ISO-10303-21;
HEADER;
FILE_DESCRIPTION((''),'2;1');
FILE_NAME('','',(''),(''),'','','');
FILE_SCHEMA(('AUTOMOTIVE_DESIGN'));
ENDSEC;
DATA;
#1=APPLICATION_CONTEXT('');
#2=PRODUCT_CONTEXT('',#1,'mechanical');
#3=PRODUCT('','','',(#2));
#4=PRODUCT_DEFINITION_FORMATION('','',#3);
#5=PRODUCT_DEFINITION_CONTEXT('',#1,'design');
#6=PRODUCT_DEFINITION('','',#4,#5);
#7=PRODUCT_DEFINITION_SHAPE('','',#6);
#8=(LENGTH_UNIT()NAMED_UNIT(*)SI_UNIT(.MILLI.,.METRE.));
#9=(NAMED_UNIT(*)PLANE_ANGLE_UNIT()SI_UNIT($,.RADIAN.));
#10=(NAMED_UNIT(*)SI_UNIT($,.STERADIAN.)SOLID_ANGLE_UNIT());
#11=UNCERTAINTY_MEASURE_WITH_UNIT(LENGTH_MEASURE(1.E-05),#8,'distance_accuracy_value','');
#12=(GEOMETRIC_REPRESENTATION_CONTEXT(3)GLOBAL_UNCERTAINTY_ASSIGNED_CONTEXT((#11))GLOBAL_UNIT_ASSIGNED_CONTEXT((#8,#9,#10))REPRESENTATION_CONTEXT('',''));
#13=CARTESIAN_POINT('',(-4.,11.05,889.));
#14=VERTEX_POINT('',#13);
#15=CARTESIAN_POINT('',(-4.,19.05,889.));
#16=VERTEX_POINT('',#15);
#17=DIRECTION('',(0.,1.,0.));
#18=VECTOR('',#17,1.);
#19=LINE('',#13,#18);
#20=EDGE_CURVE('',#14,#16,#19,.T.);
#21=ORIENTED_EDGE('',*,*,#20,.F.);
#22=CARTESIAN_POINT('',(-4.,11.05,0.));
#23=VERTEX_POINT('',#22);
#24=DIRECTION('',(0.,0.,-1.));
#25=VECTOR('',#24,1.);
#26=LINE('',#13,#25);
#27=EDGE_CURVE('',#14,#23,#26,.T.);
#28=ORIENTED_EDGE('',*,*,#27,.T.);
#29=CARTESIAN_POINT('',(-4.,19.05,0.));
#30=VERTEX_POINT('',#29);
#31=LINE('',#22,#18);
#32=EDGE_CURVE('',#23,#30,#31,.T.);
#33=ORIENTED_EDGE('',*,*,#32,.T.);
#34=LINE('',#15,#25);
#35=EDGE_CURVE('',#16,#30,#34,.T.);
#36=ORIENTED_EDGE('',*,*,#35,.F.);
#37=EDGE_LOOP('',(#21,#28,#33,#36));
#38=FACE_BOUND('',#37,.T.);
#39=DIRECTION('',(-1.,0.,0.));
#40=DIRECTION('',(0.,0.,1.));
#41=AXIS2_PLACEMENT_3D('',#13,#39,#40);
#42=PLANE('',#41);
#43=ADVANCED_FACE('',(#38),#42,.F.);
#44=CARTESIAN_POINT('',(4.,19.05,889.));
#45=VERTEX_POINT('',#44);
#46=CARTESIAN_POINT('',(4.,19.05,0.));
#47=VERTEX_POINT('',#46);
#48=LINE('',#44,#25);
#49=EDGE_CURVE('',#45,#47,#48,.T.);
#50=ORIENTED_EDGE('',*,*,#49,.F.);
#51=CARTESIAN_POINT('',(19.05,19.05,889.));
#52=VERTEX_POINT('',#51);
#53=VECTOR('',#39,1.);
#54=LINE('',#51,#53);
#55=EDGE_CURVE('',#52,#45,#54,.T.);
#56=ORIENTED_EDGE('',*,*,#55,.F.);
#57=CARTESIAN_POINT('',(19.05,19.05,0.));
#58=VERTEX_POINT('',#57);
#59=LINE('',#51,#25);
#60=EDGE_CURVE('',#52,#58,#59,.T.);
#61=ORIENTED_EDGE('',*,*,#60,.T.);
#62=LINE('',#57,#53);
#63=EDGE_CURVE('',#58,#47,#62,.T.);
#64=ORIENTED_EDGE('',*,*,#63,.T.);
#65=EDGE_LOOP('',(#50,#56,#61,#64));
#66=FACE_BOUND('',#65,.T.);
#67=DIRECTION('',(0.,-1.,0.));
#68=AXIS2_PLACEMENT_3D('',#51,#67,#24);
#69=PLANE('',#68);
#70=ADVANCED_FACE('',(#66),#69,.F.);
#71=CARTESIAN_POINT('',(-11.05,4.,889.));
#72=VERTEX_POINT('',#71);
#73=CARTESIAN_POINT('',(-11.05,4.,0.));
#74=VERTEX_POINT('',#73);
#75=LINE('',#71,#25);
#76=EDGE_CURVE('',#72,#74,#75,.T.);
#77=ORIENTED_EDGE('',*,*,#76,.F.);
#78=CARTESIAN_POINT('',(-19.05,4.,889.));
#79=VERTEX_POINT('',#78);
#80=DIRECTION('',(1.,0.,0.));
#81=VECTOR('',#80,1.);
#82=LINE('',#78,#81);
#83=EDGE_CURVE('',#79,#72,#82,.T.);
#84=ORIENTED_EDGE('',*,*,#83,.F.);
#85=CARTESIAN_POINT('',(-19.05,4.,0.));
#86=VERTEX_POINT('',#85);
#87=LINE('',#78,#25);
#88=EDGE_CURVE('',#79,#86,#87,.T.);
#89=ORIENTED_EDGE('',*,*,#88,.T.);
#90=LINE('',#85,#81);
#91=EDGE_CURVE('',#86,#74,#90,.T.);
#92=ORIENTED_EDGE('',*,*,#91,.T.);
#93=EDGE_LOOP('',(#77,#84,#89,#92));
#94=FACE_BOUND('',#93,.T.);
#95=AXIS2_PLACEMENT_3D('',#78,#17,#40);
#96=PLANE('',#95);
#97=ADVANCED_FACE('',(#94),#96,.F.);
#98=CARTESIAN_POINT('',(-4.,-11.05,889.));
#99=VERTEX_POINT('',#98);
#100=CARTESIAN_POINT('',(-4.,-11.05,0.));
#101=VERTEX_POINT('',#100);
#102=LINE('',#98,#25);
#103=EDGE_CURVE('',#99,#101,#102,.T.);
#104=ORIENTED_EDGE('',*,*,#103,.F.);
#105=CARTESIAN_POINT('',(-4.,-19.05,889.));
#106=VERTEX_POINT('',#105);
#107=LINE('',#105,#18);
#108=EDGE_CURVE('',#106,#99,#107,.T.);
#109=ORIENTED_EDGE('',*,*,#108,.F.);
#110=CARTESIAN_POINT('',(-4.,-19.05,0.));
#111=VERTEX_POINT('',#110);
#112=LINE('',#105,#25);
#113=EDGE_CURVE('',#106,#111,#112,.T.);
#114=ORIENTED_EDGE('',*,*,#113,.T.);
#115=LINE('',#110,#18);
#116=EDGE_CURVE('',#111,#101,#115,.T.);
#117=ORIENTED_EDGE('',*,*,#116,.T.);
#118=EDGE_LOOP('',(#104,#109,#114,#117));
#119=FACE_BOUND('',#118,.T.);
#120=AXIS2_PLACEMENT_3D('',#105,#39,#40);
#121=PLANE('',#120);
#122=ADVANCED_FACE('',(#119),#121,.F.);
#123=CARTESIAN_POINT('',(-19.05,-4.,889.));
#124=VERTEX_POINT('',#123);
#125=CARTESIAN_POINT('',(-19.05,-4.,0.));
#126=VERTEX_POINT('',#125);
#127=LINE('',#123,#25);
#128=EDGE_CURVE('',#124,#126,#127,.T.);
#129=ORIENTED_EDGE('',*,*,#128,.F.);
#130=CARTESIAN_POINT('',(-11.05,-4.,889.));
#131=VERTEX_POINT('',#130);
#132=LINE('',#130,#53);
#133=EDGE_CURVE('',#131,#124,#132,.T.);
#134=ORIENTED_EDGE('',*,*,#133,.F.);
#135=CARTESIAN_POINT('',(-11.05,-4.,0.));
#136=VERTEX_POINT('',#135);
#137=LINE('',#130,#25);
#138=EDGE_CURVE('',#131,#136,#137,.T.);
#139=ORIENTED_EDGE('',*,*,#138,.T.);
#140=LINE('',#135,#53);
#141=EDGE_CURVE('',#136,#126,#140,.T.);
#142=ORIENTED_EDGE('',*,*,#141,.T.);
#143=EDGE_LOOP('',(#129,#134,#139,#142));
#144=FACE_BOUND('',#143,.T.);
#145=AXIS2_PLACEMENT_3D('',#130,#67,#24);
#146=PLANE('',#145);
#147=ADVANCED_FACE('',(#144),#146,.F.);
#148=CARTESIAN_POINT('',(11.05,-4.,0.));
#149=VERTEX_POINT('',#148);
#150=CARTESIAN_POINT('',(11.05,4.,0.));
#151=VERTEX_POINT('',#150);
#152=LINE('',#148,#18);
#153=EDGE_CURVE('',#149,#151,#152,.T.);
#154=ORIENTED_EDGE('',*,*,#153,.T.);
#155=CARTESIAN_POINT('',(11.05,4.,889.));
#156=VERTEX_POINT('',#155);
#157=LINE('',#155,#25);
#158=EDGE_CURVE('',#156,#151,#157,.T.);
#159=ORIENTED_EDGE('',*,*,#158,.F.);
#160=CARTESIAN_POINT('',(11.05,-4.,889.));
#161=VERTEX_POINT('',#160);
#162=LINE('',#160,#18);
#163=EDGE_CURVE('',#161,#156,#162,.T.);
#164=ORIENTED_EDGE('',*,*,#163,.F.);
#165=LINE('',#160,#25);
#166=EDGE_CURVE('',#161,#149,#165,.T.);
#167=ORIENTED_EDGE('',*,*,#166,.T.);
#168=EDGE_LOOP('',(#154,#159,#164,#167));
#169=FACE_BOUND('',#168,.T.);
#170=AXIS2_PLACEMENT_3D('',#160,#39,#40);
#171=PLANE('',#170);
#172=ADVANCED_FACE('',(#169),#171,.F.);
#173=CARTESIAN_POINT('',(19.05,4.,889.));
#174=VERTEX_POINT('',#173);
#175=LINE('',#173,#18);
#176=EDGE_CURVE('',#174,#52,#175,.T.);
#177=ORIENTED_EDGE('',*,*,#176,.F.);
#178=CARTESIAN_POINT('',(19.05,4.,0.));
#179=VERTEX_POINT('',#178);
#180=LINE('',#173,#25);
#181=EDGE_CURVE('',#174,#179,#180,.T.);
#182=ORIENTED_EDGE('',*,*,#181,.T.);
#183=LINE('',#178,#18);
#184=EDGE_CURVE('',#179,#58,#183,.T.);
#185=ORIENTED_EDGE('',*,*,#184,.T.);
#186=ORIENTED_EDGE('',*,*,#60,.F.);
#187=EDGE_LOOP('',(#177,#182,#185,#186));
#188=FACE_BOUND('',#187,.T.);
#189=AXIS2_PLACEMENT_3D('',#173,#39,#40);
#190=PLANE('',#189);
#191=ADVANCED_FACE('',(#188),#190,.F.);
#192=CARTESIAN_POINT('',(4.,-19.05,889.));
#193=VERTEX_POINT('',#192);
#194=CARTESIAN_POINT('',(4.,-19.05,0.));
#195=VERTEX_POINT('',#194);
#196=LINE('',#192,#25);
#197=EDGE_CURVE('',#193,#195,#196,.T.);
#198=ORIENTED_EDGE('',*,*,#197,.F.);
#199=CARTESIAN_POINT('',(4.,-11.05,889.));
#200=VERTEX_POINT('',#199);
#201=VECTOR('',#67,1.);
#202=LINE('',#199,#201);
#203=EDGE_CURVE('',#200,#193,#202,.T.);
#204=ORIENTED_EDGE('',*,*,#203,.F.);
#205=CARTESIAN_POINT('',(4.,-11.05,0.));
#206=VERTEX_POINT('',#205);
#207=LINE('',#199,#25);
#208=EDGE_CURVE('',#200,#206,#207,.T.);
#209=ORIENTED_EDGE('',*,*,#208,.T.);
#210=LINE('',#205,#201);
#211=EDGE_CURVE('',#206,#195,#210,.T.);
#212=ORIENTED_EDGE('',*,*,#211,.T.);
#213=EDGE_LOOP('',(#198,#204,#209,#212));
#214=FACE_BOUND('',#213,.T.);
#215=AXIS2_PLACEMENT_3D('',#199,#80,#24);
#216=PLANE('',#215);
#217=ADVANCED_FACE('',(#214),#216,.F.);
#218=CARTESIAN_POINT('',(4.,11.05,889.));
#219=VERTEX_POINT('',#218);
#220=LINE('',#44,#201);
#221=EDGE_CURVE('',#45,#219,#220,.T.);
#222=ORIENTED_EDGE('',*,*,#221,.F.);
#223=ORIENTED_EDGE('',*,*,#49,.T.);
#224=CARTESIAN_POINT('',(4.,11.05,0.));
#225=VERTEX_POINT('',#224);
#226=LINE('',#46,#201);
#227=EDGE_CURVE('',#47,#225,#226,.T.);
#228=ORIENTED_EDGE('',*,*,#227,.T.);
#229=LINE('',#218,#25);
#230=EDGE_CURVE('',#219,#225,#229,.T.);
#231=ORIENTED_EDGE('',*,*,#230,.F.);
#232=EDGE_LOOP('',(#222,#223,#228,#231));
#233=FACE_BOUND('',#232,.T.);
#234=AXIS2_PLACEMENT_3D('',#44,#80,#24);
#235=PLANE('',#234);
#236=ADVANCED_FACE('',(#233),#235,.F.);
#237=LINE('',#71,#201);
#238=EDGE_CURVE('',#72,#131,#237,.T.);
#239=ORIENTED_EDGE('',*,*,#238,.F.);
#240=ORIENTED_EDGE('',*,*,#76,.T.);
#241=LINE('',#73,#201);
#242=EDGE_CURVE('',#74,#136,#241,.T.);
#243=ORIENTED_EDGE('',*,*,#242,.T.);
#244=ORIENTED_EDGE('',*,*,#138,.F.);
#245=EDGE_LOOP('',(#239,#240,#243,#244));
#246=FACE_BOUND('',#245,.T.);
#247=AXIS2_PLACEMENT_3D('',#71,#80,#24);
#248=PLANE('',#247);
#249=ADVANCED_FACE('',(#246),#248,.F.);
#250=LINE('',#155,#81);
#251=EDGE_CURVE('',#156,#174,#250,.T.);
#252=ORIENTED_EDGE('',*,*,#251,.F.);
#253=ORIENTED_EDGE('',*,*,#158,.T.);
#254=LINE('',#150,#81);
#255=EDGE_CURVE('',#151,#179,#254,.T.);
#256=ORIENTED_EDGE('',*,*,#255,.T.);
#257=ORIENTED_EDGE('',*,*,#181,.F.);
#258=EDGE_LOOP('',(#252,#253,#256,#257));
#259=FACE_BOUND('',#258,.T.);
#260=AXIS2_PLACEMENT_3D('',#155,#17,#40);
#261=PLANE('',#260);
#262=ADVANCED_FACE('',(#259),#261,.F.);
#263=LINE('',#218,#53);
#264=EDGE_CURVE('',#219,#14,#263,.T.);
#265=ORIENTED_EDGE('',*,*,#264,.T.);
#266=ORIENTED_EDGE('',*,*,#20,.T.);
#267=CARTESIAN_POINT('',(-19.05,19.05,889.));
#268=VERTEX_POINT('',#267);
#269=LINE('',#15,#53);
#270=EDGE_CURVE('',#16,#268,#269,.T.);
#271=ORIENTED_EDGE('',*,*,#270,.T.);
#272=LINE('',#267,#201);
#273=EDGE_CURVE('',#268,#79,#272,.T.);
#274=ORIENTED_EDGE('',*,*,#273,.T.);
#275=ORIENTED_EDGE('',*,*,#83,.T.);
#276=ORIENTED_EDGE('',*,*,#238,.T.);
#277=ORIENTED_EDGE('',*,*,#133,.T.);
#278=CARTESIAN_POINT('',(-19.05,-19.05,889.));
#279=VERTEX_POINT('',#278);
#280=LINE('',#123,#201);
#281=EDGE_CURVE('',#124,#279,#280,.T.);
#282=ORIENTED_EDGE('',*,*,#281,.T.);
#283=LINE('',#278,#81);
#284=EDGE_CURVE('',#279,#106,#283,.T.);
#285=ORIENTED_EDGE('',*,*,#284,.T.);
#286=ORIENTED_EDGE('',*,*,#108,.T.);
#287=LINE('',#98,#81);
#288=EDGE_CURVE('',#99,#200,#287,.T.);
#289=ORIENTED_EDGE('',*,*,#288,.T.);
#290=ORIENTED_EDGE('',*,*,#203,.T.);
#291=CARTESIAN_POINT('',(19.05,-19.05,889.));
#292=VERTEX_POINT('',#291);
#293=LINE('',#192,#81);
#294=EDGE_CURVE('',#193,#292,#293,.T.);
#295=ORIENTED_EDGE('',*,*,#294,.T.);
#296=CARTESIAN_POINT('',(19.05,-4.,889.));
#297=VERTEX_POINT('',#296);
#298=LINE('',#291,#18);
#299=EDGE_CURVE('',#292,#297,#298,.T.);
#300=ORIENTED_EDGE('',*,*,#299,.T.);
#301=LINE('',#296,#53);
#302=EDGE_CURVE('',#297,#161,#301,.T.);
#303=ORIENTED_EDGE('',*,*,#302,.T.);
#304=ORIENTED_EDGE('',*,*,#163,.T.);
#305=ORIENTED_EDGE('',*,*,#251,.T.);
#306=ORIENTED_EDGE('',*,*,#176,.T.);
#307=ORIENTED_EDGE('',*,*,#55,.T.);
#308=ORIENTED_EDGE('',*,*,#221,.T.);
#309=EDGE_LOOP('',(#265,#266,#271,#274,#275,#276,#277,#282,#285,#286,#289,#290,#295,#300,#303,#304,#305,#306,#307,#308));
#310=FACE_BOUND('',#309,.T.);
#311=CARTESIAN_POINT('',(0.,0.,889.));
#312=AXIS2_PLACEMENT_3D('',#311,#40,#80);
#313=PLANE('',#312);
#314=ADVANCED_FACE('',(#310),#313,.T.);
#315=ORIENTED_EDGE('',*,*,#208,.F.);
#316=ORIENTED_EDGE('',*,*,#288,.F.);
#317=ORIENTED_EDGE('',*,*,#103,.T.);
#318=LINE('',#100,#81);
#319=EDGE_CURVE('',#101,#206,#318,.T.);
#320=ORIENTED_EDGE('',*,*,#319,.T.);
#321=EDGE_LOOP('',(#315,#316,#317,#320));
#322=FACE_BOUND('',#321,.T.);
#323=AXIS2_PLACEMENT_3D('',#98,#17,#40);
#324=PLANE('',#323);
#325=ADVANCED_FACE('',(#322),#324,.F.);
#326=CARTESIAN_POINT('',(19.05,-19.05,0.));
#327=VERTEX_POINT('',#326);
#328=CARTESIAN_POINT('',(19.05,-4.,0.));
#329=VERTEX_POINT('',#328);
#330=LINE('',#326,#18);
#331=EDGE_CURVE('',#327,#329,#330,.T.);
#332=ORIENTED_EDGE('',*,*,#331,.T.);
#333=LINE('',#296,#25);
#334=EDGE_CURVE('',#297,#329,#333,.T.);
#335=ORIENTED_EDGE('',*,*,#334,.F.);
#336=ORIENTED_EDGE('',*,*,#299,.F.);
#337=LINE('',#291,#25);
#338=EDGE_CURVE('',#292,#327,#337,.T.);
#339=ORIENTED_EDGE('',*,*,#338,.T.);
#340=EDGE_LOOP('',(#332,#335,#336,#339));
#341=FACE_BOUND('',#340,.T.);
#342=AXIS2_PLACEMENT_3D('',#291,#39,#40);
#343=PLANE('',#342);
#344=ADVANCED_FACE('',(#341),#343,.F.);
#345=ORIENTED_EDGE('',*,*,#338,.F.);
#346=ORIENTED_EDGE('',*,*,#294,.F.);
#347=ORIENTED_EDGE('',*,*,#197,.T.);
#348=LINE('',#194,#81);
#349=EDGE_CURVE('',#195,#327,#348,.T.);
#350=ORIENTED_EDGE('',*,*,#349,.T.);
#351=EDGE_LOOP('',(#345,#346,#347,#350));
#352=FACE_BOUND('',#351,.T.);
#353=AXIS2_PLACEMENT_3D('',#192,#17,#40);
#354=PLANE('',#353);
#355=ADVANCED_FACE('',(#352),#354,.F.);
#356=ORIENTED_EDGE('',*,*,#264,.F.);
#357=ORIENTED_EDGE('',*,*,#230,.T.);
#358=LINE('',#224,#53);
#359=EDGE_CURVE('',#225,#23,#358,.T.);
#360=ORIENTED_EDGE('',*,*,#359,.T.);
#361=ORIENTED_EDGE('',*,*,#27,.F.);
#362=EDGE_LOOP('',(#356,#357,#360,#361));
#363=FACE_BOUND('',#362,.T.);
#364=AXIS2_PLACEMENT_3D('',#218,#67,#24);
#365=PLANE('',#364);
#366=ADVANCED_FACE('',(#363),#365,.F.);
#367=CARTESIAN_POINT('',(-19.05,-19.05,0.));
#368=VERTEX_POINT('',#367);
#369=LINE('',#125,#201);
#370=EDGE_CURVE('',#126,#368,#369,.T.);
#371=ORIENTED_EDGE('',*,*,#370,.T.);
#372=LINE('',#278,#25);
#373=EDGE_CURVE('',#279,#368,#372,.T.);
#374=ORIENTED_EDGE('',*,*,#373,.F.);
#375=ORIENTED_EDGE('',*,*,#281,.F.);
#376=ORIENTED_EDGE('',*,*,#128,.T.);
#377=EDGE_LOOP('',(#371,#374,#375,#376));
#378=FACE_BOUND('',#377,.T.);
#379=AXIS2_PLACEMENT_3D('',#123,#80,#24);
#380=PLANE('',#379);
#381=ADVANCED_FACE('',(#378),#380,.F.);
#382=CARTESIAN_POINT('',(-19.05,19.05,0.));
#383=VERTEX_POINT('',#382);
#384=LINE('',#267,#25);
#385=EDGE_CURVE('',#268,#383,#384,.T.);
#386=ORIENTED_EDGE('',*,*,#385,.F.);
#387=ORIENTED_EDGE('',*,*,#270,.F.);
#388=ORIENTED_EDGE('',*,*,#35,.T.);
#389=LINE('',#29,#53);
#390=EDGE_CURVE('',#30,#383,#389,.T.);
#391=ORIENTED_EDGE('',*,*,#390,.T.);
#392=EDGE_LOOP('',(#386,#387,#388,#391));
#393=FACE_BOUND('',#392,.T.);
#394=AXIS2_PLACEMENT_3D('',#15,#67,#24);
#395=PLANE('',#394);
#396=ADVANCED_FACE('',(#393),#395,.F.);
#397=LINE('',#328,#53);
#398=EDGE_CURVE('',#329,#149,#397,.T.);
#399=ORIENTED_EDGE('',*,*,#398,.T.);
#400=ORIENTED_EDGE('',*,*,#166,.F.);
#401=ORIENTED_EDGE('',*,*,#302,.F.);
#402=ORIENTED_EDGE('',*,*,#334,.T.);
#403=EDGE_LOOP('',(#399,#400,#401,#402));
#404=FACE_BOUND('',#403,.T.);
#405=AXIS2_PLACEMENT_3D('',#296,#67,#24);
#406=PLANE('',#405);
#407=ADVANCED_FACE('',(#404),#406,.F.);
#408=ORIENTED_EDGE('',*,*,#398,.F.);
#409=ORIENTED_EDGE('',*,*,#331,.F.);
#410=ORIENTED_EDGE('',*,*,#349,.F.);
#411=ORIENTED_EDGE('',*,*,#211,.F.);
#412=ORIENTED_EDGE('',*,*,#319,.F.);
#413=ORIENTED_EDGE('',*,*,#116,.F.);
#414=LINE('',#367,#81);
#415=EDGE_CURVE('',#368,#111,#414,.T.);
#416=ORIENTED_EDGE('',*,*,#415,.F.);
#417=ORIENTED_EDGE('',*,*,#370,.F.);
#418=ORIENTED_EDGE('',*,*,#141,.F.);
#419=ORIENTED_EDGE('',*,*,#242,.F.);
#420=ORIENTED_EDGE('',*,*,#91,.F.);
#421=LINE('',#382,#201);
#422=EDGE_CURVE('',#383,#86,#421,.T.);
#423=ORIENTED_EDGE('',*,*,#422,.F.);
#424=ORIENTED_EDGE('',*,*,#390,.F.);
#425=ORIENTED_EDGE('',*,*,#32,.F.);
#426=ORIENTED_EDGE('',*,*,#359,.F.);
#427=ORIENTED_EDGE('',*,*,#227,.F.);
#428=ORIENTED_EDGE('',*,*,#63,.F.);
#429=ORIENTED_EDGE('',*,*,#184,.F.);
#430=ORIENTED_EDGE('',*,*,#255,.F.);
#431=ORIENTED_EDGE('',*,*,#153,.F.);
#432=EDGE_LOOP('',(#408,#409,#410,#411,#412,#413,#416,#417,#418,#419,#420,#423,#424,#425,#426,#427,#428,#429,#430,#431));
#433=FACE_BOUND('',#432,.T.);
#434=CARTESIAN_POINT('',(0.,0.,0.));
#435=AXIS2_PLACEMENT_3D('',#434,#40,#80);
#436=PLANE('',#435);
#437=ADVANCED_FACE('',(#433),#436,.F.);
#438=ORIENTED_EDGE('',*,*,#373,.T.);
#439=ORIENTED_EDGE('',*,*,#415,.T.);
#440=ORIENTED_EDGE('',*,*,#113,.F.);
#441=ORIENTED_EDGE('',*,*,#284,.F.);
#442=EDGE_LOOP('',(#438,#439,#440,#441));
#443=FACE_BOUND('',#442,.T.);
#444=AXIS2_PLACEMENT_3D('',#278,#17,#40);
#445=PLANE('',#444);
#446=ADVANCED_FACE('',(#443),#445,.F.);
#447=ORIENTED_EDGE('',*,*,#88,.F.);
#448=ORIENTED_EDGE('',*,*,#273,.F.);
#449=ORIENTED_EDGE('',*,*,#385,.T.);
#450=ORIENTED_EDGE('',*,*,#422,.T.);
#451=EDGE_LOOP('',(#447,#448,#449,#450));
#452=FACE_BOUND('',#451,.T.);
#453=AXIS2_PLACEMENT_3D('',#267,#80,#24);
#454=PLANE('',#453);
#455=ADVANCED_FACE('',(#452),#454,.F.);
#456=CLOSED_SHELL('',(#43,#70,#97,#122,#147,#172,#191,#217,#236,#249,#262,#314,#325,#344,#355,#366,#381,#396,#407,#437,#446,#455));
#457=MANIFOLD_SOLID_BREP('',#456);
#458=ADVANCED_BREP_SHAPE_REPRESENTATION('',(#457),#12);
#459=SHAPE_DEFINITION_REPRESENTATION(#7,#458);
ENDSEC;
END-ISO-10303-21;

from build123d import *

# Parameters (mm, degrees)
PROFILE_DEPTH = 889


with BuildPart() as part:
    # Sketch1 → Profile (new body)
    with BuildSketch(Plane.XY):
        Polygon((-19.05, -19.05), (-4, -19.05), (-4, -11.05), (4, -11.05), (4, -19.05), (19.05, -19.05), (19.05, -4), (11.05, -4), (11.05, 4), (19.05, 4), (19.05, 19.05), (4, 19.05), (4, 11.05), (-4, 11.05), (-4, 19.05), (-19.05, 19.05), (-19.05, 4), (-11.05, 4), (-11.05, -4), (-19.05, -4), align=None)
    extrude(amount=PROFILE_DEPTH)


solid = part.part
